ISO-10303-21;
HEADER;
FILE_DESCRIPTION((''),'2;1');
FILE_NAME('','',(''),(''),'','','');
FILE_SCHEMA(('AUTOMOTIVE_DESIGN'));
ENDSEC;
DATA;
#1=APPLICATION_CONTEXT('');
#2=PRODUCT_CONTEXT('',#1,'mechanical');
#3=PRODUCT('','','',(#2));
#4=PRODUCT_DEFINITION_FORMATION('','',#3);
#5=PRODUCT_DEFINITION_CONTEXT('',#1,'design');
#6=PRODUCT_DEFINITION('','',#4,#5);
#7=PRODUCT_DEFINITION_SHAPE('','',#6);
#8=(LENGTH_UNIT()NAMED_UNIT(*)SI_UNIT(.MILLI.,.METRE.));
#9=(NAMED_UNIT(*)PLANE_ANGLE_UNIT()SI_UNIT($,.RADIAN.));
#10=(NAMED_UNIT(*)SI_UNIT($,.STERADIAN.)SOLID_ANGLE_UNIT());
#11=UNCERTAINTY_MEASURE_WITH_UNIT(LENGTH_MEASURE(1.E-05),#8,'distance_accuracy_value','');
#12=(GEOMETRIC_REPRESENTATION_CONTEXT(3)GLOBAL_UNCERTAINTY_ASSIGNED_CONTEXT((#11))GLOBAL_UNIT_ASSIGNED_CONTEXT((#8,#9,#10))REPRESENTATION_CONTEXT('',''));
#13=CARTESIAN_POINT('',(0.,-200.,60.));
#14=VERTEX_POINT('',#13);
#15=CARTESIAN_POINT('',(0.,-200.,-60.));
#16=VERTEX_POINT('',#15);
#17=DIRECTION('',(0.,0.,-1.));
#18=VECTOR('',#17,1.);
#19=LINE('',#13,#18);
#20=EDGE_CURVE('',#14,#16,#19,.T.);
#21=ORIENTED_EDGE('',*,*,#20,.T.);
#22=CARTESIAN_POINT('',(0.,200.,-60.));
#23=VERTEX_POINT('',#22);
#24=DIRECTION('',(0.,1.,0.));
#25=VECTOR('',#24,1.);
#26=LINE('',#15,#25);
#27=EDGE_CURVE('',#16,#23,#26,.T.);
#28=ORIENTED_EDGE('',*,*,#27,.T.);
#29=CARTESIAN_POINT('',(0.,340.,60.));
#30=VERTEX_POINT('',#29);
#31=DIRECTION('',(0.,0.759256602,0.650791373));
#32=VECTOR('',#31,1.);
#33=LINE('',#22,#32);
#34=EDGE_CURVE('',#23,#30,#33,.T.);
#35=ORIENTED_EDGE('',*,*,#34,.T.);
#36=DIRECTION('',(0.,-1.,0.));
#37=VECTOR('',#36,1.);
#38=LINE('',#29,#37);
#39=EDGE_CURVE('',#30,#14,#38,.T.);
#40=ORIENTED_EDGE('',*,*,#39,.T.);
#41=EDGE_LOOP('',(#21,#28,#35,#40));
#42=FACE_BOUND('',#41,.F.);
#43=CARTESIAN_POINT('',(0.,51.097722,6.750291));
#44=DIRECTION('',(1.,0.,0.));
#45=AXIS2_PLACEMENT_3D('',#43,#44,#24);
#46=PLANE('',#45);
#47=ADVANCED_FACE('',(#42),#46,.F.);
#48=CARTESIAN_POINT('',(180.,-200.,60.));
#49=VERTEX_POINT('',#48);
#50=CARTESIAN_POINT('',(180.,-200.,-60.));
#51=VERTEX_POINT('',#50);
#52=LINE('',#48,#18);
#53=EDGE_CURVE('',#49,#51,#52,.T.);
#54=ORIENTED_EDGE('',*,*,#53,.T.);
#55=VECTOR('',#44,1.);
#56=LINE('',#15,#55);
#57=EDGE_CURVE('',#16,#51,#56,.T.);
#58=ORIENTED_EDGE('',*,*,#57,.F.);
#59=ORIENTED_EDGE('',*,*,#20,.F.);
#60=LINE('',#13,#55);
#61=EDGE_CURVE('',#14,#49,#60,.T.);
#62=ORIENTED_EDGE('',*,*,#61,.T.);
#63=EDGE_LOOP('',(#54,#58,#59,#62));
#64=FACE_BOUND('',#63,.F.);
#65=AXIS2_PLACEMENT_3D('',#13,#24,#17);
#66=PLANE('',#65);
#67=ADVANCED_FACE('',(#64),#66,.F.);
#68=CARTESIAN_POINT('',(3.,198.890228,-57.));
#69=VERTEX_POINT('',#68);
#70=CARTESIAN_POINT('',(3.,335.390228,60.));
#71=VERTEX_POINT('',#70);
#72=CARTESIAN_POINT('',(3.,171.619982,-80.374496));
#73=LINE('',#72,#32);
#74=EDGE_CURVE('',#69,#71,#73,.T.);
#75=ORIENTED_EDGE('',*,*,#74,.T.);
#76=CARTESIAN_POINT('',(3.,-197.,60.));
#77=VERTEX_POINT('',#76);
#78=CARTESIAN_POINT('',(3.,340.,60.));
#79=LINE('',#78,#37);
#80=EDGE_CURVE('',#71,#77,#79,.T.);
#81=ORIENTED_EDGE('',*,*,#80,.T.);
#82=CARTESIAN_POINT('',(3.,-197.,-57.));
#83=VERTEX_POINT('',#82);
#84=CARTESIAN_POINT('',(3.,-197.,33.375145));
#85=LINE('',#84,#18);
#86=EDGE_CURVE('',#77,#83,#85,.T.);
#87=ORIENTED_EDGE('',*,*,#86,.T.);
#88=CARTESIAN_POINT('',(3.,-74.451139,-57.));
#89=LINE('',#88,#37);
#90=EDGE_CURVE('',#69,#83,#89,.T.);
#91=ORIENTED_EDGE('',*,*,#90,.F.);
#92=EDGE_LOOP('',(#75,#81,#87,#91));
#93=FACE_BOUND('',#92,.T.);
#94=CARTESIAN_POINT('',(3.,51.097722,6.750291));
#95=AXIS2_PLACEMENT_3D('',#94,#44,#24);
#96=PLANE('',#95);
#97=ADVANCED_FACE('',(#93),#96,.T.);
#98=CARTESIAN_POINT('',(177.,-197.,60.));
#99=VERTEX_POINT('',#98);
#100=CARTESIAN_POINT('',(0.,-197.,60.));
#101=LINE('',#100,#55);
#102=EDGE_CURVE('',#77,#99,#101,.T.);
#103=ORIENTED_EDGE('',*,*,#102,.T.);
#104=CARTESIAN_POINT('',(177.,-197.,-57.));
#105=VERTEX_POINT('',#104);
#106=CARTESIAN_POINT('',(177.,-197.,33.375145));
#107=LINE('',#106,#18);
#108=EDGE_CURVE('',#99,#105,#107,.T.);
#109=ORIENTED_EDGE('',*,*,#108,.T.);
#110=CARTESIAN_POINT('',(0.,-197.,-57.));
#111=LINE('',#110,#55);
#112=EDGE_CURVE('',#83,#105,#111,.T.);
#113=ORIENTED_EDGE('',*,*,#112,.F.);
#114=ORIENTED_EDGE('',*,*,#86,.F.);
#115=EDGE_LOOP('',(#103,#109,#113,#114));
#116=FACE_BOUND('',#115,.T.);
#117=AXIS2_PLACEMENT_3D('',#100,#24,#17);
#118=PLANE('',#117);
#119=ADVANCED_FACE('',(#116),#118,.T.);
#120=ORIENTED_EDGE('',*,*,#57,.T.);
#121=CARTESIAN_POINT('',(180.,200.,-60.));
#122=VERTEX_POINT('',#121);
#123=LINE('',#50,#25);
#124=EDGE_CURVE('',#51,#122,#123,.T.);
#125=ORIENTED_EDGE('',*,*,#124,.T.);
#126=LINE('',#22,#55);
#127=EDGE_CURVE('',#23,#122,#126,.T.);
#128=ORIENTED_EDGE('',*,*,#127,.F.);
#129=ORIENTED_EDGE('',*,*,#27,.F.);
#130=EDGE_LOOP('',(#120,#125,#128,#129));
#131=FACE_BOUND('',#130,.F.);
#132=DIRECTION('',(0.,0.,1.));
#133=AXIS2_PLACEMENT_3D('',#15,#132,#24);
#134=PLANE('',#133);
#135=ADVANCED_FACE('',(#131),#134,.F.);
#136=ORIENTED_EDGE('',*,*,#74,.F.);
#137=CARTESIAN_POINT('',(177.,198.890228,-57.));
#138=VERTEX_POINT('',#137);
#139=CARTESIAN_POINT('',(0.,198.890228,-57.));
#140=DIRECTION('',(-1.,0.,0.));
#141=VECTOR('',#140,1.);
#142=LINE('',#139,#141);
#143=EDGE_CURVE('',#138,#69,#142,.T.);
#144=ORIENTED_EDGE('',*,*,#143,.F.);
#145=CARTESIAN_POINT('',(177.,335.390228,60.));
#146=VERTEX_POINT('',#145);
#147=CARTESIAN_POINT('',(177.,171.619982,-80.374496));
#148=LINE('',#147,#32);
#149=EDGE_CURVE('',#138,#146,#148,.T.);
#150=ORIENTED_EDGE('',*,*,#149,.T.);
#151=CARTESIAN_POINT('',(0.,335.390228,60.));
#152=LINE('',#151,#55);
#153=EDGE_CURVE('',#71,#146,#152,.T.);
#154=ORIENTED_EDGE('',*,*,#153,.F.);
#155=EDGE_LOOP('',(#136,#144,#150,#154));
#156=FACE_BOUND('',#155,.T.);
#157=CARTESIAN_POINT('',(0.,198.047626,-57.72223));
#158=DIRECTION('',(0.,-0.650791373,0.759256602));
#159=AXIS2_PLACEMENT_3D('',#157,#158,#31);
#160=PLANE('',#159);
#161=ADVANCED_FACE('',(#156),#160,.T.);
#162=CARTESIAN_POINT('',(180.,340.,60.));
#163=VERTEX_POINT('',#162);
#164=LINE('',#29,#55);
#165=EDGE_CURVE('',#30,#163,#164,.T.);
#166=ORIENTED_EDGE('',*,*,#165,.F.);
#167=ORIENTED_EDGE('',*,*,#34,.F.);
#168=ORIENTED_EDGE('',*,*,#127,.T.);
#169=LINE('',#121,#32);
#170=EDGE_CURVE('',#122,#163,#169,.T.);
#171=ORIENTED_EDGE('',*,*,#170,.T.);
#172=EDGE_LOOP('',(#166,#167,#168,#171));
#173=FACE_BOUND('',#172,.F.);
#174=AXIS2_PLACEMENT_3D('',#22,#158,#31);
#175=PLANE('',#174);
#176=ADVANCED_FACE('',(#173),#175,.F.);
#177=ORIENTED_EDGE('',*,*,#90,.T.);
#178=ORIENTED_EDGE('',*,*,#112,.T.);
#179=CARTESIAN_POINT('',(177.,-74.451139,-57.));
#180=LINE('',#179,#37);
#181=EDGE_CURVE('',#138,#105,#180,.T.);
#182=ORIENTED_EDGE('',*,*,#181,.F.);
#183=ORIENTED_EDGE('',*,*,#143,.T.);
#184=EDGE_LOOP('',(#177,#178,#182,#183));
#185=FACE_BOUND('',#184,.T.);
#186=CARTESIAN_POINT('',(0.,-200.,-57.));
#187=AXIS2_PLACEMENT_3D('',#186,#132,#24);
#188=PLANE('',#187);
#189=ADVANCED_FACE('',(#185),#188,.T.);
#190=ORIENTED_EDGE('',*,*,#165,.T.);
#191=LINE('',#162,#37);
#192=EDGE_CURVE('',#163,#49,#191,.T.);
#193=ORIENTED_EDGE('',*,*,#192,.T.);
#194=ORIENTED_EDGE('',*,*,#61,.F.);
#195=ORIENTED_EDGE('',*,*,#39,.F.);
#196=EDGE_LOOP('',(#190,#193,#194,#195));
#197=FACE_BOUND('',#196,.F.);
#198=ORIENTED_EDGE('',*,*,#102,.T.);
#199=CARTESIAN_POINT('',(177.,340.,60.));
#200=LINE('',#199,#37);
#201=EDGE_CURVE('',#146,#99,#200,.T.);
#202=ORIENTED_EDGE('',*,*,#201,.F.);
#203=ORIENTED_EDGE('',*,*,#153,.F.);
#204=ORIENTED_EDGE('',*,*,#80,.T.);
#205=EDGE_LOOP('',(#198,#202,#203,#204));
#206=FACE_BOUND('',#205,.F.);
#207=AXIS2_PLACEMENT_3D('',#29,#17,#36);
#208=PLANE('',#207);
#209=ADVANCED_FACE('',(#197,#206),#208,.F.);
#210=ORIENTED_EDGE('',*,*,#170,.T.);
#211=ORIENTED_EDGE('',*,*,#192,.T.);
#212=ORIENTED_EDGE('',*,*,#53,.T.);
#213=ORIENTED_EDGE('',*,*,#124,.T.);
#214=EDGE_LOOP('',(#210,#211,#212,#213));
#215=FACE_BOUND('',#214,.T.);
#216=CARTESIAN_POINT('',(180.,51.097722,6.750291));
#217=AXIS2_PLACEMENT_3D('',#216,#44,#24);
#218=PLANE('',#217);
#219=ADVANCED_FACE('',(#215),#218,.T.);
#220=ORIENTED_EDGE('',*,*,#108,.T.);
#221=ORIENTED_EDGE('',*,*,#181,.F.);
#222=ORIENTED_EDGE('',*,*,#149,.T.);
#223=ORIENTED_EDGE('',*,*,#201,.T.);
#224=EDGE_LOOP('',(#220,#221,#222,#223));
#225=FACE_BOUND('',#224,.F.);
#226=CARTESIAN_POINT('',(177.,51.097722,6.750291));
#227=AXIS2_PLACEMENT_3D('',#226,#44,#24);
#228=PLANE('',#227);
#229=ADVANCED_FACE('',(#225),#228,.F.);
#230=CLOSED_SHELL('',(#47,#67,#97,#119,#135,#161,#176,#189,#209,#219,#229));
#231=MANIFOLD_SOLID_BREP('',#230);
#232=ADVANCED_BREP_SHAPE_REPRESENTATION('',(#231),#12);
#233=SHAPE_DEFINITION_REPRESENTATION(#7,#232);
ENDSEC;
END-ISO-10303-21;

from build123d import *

# Parameters (mm, degrees)
F1_DEPTH = 180
F2_T     = -3


with BuildPart() as f1:
    # F0 (on Right) → F1 (new body)
    with BuildSketch(Plane.YZ):
        Polygon((-200, 60), (-200, -60), (200, -60), (340, 60), (200, 60), align=None)
    extrude(amount=F1_DEPTH)

    # F2
    f2_openings = [f1.faces().sort_by_distance(p)[0] for p in [
        (90, 70, 60),
    ]]
    offset(amount=F2_T, openings=f2_openings)


solid = f1.part
